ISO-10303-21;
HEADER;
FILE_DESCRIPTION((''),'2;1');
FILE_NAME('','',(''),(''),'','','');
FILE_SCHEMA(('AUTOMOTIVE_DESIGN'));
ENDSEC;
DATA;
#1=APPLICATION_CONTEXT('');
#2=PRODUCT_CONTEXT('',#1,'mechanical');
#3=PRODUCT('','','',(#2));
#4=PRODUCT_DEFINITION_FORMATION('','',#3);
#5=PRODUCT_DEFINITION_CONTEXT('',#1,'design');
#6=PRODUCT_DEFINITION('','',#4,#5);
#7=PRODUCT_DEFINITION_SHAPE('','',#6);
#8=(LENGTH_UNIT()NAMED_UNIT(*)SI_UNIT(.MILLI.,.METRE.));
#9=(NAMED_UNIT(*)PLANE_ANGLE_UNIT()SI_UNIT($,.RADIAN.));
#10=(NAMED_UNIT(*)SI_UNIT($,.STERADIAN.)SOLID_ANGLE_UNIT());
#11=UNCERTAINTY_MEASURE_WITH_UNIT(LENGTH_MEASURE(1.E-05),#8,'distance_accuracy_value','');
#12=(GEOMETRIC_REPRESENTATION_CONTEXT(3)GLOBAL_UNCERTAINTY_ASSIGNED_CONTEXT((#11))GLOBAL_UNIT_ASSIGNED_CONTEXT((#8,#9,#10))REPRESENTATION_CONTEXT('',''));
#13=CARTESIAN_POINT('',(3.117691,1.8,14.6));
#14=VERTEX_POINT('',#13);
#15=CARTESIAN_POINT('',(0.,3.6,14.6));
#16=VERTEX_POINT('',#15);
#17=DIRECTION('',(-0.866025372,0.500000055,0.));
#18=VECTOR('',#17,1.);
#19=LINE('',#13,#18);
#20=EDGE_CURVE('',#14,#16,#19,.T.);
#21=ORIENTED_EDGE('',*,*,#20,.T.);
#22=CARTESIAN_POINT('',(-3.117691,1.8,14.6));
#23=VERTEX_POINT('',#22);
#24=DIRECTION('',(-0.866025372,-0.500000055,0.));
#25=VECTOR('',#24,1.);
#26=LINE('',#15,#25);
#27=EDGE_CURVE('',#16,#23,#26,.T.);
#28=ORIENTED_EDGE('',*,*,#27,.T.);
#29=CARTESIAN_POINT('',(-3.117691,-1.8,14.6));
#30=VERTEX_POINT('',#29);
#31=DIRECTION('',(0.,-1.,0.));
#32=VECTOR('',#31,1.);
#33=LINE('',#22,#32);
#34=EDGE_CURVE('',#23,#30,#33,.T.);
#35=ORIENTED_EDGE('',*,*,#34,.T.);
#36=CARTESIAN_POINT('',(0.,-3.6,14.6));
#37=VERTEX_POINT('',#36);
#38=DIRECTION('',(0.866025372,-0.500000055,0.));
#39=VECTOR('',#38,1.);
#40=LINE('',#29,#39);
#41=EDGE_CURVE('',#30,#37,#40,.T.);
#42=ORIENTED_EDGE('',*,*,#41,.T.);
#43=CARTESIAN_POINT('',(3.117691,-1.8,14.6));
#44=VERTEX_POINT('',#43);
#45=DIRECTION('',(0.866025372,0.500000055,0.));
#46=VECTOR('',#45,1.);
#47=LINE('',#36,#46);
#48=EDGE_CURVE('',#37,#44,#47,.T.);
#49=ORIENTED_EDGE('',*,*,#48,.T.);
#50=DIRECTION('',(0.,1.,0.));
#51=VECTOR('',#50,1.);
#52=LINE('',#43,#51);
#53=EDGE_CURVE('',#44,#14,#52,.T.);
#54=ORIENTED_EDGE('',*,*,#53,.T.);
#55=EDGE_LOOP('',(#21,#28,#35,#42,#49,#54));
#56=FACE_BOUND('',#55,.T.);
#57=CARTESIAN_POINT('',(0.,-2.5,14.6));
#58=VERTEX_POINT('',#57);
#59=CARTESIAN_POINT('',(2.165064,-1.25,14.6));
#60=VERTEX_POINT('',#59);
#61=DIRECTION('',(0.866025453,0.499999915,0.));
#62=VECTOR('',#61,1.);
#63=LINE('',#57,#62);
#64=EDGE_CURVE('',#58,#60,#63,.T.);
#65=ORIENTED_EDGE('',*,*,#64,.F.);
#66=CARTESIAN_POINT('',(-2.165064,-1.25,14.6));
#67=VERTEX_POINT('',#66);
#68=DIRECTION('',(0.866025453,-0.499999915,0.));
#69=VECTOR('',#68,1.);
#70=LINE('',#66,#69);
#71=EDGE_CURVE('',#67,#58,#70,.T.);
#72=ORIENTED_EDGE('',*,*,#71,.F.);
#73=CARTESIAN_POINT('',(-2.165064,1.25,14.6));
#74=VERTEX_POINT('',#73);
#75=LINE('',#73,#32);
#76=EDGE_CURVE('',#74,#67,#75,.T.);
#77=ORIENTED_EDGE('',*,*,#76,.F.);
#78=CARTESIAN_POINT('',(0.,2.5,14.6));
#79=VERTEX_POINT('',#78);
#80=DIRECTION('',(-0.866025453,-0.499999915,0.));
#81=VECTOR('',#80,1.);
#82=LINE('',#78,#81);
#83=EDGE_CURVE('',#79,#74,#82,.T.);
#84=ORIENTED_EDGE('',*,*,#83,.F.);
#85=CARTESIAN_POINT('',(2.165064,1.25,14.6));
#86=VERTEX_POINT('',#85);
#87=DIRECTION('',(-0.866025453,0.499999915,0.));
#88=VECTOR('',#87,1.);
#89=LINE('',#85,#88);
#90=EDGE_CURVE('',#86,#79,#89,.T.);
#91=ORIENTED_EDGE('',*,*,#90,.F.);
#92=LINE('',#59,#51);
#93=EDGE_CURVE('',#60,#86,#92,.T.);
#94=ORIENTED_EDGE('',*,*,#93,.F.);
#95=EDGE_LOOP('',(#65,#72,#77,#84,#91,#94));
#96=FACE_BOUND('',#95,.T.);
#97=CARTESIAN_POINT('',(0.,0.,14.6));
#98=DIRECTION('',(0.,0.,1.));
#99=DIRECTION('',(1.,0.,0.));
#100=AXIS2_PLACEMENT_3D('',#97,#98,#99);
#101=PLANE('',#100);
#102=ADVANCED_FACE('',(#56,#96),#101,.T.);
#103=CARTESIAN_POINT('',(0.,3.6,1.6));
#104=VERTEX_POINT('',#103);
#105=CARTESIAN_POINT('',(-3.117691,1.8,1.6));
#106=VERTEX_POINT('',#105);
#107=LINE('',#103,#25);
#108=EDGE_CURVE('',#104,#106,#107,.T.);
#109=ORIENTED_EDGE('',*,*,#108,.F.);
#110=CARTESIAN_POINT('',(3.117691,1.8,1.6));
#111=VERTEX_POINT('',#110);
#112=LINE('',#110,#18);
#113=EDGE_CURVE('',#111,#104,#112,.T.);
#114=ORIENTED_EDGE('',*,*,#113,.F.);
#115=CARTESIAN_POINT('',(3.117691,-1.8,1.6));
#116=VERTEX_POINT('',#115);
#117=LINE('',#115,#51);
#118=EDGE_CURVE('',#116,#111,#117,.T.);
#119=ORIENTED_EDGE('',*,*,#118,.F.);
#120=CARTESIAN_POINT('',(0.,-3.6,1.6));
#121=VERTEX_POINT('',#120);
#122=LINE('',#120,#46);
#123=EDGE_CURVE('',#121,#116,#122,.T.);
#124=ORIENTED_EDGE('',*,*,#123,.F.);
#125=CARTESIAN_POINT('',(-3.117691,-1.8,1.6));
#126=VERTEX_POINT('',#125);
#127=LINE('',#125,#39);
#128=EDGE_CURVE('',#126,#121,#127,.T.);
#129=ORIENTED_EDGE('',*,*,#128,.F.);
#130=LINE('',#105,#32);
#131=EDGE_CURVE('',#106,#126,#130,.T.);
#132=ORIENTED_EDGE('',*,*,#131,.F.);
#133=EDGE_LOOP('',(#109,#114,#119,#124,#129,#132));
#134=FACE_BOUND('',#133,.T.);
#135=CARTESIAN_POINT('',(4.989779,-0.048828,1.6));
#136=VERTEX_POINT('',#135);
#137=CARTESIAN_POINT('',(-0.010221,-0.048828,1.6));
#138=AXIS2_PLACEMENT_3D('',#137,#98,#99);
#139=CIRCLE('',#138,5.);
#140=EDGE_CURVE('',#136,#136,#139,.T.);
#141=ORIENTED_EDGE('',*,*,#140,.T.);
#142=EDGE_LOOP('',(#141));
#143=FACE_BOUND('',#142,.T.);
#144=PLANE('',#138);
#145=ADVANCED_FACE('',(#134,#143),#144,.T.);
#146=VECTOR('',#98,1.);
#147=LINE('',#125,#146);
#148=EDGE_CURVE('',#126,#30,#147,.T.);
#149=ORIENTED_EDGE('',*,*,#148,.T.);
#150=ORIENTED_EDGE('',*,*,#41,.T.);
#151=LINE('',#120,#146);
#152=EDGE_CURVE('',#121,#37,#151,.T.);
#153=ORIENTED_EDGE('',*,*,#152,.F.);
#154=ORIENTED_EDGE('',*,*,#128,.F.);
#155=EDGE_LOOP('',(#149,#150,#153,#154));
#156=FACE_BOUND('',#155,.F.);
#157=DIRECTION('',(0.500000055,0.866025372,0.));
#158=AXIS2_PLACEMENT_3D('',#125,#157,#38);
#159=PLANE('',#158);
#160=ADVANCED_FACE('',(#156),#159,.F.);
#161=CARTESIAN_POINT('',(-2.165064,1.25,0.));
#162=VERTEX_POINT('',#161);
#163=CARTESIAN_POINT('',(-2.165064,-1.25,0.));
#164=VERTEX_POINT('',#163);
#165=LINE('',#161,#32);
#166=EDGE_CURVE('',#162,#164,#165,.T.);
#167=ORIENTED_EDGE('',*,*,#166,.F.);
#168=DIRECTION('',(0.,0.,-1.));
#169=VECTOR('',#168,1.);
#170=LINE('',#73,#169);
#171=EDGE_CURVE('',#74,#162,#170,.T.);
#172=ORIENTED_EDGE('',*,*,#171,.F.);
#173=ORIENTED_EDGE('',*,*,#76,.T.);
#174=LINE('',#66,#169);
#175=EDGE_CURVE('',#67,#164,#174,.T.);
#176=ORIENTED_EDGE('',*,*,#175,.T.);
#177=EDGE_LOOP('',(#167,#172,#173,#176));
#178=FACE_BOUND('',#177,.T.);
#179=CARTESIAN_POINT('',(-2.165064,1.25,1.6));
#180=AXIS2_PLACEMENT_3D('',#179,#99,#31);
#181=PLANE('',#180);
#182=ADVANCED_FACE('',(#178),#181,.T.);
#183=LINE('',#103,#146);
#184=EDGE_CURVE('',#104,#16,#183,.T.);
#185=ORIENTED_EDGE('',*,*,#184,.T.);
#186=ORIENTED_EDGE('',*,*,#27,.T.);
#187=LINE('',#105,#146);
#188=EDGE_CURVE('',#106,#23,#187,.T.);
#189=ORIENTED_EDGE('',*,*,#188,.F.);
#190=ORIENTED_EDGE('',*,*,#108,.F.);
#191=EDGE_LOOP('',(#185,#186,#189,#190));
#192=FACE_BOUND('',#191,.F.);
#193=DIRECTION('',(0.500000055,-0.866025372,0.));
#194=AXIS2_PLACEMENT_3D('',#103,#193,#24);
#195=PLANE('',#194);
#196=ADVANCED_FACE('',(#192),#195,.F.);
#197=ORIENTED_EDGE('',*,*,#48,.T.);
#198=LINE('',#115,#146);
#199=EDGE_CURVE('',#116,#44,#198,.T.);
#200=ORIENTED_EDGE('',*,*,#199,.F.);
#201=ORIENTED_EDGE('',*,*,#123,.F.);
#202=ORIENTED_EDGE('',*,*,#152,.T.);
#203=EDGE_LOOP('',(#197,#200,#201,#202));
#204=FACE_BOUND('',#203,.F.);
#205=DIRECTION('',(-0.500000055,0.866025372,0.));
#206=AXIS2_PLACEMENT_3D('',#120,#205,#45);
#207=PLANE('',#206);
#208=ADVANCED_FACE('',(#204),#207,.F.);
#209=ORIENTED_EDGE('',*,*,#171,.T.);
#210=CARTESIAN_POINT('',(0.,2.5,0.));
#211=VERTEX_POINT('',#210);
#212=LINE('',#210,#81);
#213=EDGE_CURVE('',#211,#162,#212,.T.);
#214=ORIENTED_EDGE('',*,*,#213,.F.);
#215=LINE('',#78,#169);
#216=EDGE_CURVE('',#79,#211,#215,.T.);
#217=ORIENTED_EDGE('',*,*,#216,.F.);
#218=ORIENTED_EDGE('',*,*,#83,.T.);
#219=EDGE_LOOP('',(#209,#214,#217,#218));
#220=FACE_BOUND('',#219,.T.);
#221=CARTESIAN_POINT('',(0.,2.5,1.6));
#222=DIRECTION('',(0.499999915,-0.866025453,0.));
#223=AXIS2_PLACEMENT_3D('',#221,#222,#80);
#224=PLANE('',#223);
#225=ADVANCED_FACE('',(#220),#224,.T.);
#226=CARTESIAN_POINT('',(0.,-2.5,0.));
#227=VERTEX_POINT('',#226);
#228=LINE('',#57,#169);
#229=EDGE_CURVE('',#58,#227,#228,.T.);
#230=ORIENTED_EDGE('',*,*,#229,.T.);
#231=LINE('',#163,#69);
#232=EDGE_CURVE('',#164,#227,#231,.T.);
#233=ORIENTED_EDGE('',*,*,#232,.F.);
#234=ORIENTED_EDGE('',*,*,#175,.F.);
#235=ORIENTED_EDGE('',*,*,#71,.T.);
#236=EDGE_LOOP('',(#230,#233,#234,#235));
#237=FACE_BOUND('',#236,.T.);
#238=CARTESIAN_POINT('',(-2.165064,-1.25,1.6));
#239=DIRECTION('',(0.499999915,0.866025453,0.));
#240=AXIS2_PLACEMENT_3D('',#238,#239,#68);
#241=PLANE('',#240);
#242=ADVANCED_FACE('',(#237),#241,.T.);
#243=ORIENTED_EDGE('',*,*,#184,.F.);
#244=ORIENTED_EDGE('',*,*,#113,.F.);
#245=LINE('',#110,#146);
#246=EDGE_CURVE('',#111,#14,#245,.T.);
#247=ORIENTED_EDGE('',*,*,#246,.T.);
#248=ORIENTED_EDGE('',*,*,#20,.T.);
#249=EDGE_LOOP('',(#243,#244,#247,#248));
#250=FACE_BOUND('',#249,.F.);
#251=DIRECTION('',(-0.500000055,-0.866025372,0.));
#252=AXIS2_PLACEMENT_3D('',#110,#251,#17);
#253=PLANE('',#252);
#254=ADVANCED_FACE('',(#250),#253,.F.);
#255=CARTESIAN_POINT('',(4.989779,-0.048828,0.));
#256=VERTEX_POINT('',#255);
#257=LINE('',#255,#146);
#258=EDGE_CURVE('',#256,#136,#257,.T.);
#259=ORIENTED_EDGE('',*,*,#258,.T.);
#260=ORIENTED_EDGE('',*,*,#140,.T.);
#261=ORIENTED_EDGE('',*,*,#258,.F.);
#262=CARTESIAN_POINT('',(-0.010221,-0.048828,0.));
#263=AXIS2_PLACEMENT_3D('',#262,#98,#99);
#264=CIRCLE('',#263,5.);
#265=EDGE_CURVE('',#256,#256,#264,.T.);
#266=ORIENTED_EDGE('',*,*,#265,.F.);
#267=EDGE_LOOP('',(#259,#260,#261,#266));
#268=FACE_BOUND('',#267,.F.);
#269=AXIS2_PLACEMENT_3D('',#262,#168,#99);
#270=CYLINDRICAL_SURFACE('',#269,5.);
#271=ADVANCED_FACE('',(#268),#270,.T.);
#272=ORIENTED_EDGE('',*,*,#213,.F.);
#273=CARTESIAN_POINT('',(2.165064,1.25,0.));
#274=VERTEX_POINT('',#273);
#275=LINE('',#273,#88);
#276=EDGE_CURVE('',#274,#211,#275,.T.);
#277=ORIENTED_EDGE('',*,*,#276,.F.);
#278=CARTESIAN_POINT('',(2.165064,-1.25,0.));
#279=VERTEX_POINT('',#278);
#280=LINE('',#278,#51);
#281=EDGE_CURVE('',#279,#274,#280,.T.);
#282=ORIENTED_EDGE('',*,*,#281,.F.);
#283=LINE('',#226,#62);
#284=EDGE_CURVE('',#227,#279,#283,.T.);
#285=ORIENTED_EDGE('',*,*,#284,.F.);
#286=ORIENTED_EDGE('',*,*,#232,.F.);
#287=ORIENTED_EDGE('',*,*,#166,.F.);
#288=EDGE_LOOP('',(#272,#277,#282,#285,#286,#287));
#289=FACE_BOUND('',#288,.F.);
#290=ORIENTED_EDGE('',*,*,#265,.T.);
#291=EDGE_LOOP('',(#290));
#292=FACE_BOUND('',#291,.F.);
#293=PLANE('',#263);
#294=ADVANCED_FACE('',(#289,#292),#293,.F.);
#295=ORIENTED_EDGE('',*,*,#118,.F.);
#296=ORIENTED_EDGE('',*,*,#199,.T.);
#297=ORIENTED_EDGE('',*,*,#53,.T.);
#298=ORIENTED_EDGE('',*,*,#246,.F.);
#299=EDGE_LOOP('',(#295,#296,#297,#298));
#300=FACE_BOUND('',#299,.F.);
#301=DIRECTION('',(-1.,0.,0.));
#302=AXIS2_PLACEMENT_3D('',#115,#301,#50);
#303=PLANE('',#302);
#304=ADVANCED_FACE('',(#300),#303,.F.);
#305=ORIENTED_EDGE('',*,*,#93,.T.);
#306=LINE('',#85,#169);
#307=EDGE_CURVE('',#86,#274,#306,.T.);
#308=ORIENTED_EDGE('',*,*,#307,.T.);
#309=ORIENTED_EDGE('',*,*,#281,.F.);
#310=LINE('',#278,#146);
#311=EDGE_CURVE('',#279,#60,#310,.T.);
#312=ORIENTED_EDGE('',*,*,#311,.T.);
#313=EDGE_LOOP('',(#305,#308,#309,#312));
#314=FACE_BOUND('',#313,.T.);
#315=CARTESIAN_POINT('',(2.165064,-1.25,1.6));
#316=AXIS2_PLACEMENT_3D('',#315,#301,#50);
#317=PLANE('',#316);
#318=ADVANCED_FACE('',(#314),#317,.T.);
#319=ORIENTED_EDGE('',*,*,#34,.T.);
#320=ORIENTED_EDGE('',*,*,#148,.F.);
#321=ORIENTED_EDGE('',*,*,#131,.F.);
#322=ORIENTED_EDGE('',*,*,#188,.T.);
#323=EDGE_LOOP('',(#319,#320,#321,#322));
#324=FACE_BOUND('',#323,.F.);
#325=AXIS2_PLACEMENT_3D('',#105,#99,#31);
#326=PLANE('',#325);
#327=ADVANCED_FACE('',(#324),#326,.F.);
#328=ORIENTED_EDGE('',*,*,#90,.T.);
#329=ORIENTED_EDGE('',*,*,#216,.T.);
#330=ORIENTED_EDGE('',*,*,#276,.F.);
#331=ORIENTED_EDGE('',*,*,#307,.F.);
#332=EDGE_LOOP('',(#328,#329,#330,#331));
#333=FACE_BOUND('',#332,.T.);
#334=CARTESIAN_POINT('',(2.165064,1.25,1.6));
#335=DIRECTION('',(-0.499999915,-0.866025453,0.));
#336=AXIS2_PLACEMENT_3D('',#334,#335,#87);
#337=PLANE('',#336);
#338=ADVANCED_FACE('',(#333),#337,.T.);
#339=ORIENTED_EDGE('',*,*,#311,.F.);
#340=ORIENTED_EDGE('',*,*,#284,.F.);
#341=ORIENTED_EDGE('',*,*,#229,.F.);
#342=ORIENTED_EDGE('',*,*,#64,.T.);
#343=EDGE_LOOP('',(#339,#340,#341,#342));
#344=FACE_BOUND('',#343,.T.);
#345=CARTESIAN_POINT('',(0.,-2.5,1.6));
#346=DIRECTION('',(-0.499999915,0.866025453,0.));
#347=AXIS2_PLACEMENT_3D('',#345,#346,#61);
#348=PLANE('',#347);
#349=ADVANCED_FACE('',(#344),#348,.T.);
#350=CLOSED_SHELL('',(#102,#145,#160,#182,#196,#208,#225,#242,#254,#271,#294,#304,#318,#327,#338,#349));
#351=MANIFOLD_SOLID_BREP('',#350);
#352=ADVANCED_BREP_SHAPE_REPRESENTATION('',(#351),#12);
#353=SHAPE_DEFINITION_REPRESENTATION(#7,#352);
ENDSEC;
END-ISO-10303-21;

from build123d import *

# Parameters (mm, degrees)
SKETCH_R     = 5
PAD_DEPTH    = 1.6
PAD001_DEPTH = 13


with BuildPart() as part:
    # Sketch → Pad (new body)
    with BuildSketch(Plane.XY):
        with Locations((-0.010221, -0.048828)):
            Circle(SKETCH_R)
        Polygon((2.165064, -1.25), (2.165064, 1.25), (0, 2.5), (-2.165064, 1.25), (-2.165064, -1.25), (0, -2.5), align=None, mode=Mode.SUBTRACT)
    extrude(amount=PAD_DEPTH)

    # Sketch001 → Pad001 (new body)
    with BuildSketch(Plane.XY.offset(1.6)):
        Polygon((3.117691, -1.8), (3.117691, 1.8), (0, 3.6), (-3.117691, 1.8), (-3.117691, -1.8), (0, -3.6), align=None)
        Polygon((2.165064, -1.25), (2.165064, 1.25), (0, 2.5), (-2.165064, 1.25), (-2.165064, -1.25), (0, -2.5), align=None, mode=Mode.SUBTRACT)
    extrude(amount=PAD001_DEPTH)


solid = part.part
